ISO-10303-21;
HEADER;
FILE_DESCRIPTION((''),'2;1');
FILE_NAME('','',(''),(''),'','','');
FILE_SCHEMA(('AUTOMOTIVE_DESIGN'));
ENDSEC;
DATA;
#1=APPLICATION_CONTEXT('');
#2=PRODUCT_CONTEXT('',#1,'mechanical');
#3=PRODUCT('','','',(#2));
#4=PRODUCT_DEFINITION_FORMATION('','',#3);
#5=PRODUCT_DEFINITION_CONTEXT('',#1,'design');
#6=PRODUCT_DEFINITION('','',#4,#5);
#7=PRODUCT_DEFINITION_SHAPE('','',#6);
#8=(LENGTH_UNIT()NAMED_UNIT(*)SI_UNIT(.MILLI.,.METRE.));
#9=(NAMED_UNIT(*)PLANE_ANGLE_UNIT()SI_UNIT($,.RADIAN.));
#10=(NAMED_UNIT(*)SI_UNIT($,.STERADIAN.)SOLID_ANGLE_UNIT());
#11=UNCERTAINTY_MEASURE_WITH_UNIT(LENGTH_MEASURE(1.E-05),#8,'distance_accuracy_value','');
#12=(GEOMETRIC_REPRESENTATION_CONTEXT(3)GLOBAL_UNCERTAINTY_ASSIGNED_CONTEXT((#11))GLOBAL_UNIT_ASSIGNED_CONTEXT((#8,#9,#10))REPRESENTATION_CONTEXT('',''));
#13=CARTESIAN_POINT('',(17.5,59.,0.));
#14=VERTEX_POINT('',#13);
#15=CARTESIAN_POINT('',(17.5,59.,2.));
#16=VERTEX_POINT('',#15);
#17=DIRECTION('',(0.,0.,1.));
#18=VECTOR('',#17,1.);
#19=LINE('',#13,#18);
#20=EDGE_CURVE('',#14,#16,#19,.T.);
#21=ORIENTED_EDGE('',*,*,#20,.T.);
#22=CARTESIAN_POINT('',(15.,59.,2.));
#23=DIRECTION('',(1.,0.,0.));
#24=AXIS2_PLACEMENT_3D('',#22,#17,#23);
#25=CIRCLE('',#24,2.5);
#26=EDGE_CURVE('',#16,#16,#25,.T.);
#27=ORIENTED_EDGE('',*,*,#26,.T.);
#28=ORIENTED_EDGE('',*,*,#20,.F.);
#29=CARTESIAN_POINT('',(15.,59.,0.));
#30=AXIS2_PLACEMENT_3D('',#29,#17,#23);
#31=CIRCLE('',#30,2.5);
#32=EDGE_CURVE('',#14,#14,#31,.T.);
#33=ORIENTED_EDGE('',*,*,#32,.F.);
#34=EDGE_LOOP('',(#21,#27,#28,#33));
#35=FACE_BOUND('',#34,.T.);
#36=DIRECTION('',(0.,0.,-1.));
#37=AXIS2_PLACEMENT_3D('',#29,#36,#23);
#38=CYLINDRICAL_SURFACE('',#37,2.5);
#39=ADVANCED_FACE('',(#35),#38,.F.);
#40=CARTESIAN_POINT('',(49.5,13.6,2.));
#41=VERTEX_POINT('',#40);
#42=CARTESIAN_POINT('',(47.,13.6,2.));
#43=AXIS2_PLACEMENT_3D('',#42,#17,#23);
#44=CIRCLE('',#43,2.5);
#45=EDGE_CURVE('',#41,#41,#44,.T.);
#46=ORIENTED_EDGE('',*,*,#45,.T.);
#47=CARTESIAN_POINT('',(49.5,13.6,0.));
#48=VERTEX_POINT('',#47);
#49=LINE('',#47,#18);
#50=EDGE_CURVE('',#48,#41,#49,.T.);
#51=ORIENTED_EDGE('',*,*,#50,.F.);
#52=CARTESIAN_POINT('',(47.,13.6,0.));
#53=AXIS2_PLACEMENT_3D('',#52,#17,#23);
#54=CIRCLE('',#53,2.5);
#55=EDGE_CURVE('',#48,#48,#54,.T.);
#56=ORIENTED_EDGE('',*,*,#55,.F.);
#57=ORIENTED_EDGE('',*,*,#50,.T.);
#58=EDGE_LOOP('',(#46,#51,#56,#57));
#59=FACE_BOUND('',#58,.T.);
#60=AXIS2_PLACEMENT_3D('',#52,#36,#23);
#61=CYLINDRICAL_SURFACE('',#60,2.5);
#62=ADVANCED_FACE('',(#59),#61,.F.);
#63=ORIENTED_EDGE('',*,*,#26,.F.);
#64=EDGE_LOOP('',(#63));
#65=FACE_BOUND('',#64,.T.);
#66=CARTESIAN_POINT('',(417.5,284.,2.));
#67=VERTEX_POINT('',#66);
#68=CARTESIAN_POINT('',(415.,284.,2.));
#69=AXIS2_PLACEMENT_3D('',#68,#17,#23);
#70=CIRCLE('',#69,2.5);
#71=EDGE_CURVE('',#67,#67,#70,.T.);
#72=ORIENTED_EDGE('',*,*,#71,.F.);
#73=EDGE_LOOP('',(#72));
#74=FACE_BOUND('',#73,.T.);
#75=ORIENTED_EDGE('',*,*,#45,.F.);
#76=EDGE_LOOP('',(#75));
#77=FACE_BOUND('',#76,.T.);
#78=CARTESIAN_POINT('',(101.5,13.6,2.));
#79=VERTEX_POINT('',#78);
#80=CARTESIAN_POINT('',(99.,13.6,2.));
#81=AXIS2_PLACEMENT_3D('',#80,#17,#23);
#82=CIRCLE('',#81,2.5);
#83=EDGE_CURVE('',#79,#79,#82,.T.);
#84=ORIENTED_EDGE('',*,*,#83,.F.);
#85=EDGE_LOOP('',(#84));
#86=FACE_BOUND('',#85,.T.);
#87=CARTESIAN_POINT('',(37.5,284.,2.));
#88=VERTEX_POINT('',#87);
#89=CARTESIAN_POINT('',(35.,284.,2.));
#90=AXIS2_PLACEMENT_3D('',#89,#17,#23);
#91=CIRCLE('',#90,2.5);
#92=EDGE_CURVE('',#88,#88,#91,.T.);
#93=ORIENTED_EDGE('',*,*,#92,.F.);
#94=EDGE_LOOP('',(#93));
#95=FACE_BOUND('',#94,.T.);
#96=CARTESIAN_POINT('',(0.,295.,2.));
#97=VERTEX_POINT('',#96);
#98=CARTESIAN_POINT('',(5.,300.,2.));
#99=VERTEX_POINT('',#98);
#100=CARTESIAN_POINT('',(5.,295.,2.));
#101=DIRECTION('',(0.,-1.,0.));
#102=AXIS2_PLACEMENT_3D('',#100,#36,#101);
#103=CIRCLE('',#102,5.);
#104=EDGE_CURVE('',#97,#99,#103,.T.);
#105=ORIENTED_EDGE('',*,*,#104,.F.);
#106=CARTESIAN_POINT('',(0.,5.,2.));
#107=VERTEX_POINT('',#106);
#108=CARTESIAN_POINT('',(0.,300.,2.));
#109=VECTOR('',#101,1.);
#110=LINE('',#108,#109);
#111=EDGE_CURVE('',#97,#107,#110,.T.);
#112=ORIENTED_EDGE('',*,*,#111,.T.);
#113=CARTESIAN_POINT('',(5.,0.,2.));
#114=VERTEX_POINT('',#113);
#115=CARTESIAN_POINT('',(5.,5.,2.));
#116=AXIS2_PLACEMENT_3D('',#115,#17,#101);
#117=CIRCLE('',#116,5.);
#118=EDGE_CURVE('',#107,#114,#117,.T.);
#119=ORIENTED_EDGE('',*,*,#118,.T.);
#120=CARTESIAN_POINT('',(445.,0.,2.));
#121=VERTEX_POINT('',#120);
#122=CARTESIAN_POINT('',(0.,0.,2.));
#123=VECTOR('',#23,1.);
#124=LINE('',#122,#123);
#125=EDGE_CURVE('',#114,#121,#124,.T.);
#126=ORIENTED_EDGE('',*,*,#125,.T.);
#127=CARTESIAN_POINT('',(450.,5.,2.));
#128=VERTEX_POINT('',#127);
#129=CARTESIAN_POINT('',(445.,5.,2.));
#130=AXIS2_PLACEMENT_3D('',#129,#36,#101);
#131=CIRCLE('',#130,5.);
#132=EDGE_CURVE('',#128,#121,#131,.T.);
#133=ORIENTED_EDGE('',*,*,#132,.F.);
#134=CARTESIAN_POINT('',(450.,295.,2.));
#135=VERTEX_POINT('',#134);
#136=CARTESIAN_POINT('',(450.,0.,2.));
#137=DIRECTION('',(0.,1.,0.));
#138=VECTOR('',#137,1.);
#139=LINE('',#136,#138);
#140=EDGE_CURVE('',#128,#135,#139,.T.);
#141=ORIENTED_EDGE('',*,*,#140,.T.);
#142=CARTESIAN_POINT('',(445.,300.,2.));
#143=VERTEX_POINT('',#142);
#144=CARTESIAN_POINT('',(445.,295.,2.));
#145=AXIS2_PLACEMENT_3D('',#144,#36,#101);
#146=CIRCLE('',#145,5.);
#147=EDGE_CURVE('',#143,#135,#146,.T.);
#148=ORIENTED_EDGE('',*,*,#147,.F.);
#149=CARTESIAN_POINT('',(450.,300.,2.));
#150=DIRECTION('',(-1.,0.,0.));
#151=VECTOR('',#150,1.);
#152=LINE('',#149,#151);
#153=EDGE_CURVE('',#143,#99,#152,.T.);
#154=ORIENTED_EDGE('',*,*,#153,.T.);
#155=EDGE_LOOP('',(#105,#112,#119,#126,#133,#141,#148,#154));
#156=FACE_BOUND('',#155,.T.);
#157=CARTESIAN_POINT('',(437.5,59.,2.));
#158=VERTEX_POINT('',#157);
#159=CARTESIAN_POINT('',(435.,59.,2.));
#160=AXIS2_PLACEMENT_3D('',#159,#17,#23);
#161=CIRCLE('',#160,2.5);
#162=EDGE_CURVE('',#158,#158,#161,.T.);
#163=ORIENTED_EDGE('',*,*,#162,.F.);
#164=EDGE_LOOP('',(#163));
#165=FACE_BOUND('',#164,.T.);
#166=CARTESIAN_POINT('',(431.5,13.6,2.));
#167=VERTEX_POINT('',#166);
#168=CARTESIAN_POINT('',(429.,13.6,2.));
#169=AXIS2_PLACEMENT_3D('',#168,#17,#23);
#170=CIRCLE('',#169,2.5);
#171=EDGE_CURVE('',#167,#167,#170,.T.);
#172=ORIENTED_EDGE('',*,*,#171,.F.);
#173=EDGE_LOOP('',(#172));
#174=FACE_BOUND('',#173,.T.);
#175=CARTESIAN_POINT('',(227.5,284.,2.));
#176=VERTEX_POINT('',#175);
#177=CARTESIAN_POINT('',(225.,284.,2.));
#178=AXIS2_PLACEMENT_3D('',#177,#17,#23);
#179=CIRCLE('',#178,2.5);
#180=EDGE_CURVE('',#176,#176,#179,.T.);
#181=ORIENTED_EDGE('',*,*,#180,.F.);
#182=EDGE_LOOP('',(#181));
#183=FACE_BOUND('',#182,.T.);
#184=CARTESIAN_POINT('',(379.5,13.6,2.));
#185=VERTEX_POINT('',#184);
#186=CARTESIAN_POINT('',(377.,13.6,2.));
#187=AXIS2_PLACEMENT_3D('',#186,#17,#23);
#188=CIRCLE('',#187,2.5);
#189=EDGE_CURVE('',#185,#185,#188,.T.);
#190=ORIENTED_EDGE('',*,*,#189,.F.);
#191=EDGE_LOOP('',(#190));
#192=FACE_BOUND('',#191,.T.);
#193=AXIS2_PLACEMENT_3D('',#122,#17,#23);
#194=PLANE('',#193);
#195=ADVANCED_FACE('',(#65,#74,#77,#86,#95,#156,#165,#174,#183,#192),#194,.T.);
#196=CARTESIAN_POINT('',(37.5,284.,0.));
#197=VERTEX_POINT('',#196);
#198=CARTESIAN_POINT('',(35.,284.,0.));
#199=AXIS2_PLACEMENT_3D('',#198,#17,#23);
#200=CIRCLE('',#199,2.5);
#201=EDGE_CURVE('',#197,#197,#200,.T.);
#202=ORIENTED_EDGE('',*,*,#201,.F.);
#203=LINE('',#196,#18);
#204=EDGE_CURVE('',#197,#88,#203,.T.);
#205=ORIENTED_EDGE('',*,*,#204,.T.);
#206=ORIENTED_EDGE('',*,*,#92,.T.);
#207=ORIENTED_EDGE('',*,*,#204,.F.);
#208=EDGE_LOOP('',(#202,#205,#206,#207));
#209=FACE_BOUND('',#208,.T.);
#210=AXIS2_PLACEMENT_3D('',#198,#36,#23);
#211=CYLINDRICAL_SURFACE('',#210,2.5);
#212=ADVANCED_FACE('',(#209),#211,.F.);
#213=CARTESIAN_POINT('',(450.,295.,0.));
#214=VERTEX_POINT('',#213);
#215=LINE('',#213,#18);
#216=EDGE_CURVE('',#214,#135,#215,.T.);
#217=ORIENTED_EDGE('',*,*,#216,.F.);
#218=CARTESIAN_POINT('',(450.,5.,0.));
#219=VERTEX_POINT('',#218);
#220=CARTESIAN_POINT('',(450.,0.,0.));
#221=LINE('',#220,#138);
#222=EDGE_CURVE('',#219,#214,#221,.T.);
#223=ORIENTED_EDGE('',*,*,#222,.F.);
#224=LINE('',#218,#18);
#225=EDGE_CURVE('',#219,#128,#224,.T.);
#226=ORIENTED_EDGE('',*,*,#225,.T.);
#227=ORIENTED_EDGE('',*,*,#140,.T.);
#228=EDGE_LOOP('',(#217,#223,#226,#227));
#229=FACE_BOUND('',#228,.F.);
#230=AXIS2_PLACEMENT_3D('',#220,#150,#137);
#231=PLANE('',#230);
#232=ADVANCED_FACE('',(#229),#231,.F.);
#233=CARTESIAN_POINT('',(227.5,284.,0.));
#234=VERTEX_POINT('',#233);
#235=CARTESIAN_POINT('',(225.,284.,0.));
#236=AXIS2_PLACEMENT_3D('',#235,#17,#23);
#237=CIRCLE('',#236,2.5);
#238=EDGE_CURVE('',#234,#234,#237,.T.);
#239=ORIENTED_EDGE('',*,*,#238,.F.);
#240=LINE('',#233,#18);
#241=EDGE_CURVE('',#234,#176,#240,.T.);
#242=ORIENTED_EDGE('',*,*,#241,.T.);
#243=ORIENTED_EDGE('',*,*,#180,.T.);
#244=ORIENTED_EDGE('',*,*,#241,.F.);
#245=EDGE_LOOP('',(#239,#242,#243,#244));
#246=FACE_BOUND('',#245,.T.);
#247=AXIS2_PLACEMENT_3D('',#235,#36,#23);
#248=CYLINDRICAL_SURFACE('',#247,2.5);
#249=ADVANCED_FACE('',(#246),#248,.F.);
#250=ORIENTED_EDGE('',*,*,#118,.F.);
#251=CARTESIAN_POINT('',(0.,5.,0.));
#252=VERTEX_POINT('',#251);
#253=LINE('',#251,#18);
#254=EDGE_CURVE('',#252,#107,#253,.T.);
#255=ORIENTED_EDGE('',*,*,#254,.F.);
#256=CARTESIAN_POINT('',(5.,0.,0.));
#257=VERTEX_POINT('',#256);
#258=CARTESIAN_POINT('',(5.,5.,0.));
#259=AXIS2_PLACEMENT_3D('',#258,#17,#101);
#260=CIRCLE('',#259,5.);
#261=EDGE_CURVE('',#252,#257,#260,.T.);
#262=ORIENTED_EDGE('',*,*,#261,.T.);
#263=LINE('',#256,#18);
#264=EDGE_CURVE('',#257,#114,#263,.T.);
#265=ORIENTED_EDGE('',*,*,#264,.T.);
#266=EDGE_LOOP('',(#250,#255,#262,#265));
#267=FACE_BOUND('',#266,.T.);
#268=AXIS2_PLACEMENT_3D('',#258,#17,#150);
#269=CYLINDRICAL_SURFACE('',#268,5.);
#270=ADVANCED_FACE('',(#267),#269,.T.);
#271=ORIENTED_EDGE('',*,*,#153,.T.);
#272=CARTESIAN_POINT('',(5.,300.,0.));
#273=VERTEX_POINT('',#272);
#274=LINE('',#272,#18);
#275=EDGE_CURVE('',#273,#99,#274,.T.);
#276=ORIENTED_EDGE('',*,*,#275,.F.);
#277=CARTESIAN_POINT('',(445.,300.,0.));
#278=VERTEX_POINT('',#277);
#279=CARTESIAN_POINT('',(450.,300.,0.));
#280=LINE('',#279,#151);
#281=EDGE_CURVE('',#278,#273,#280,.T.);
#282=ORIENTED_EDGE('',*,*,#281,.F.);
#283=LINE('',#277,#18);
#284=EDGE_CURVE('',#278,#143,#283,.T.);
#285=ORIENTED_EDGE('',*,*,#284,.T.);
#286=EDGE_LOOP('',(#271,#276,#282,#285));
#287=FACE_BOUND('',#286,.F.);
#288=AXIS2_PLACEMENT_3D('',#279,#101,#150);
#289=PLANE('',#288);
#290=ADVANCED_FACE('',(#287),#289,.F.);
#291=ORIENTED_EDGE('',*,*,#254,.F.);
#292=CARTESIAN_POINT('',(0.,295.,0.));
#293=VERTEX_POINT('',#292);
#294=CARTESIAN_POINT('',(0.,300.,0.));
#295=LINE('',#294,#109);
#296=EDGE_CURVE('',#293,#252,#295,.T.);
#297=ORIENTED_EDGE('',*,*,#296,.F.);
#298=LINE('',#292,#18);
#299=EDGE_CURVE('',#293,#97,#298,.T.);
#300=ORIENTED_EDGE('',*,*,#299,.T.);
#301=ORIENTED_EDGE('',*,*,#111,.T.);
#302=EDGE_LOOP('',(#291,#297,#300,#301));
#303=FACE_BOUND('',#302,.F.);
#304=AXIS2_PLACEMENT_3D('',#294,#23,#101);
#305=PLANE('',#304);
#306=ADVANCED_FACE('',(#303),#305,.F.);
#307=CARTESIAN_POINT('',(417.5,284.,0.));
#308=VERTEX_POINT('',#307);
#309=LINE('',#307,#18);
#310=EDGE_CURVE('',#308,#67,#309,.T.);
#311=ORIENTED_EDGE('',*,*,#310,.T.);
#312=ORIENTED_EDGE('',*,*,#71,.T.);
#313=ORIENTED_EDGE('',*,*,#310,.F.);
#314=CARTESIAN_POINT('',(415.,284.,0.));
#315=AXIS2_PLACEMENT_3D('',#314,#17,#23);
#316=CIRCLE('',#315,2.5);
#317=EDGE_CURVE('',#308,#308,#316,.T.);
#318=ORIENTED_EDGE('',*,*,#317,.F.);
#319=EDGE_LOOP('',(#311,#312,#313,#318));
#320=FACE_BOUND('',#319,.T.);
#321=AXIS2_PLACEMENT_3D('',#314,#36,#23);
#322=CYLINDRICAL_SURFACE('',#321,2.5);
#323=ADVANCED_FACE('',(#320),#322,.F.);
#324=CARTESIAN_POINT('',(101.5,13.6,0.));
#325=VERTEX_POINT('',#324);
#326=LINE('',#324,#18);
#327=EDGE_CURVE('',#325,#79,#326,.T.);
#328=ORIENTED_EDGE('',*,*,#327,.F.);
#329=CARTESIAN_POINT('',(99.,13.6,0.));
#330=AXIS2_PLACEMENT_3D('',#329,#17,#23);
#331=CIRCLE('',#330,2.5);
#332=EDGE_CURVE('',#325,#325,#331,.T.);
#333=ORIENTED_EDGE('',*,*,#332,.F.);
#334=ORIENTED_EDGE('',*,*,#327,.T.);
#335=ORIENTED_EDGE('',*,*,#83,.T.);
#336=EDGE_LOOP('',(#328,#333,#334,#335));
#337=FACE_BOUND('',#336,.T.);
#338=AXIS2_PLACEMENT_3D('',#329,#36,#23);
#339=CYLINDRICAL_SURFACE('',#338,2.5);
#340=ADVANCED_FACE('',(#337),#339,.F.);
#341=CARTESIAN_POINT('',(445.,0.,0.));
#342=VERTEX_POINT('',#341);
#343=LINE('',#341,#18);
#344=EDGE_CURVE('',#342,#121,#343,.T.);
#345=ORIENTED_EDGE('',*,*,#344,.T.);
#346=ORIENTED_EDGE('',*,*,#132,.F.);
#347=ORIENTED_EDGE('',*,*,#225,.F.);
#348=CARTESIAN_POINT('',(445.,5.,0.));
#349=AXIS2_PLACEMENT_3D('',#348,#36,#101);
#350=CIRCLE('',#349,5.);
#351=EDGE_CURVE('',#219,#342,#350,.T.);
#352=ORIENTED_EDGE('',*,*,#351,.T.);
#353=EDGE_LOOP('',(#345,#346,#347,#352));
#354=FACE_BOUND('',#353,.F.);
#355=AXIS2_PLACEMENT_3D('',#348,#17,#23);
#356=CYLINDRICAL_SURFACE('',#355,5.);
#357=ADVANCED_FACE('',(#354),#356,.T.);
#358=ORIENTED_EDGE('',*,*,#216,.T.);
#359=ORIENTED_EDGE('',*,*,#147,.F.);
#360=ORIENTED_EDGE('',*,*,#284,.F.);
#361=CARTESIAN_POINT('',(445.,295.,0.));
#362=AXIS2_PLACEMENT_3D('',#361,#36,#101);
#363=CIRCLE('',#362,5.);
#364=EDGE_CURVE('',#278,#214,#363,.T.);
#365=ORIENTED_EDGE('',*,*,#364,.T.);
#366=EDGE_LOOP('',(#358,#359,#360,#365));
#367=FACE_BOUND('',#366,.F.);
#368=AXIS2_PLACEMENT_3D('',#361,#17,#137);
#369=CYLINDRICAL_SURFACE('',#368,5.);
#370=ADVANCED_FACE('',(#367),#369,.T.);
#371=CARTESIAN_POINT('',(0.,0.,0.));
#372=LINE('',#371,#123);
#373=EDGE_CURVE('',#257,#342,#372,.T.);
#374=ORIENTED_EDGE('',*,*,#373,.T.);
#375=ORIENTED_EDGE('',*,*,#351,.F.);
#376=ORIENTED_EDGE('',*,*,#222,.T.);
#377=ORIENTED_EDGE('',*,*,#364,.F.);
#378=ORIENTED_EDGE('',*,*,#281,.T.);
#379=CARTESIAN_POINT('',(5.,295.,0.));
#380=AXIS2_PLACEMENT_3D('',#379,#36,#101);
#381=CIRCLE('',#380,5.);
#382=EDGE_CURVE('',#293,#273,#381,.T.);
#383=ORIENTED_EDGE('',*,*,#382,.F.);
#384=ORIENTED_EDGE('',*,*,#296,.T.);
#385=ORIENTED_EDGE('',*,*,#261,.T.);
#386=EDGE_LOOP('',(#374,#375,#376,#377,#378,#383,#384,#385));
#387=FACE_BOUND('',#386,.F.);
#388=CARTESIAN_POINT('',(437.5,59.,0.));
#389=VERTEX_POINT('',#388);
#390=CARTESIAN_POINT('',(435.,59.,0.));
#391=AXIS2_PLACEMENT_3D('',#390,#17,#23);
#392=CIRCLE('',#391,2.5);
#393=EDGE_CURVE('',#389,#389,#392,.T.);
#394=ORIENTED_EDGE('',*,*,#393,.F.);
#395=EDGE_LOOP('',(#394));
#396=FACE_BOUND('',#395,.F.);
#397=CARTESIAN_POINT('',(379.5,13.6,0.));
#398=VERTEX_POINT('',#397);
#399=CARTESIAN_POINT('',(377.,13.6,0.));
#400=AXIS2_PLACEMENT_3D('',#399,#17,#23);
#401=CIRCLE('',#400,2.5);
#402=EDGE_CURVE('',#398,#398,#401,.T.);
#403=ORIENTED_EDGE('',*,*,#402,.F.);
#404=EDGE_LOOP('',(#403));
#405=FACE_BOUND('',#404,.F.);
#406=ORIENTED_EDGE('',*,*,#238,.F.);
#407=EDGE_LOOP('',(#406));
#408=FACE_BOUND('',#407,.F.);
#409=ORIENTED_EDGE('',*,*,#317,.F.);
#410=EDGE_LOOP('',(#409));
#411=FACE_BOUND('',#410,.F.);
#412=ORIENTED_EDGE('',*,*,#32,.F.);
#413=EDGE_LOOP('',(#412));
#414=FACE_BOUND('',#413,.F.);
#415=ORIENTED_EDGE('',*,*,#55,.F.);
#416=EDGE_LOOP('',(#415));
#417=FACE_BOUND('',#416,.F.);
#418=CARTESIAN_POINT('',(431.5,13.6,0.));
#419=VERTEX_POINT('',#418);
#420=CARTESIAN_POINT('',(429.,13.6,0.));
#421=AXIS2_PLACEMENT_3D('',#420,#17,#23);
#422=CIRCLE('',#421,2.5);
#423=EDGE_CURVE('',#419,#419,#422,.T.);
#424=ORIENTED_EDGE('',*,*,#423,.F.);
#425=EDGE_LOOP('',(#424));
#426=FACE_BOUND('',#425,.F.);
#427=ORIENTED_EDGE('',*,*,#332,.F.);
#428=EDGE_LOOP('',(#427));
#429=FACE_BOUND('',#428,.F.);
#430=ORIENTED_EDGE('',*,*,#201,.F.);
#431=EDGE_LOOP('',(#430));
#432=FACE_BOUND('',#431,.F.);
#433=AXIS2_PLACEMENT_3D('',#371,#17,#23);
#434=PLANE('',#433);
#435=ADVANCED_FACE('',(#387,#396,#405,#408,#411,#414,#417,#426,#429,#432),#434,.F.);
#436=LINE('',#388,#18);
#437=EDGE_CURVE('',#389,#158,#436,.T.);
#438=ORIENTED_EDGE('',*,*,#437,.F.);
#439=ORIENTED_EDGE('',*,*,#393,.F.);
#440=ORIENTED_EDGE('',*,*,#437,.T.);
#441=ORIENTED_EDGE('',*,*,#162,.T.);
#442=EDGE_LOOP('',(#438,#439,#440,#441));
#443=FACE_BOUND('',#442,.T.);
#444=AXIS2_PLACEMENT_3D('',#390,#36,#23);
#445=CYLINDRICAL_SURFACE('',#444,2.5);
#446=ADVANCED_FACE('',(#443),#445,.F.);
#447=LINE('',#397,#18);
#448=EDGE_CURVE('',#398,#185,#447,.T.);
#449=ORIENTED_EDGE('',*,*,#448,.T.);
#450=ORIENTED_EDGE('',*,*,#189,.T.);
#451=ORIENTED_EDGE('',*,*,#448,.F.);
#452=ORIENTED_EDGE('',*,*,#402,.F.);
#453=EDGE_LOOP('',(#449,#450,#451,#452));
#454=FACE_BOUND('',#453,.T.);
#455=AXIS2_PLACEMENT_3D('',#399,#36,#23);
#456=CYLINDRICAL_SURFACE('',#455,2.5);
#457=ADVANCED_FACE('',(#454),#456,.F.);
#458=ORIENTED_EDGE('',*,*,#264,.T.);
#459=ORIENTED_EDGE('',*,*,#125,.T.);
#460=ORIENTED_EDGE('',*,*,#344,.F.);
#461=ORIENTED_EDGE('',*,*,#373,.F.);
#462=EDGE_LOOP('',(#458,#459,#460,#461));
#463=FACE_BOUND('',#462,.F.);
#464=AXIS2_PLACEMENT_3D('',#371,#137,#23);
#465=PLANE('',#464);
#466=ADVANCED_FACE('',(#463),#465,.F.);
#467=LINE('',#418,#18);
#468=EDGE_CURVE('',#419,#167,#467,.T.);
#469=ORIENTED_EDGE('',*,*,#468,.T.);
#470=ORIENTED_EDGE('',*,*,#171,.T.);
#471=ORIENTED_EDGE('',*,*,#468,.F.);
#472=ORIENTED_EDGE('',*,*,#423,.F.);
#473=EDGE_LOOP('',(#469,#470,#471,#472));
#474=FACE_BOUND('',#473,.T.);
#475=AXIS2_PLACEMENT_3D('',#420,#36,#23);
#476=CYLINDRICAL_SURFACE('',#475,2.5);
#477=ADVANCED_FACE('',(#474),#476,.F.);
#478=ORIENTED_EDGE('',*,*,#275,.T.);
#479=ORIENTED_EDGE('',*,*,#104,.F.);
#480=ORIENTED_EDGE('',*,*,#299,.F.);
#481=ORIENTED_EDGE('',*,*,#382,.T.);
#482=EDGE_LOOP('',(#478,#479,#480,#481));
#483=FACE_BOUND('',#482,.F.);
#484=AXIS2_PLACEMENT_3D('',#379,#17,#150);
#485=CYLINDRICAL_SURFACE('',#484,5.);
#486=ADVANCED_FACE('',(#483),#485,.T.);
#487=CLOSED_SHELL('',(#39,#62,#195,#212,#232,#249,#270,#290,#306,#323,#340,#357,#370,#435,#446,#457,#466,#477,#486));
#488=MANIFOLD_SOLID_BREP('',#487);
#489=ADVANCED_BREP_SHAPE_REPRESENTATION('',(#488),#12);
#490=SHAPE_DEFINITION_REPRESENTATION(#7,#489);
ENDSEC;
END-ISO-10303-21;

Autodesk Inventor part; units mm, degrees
ref_plane "YZ Plane" through (0, 0, 0) normal (1, 0, 0) x (0, 1, 0)
ref_plane "XZ Plane" through (0, 0, 0) normal (0, 1, 0) x (-1, 0, 0)
ref_plane "XY Plane" through (0, 0, 0) normal (0, 0, 1) x (1, 0, 0)
sketch "スケッチ1" plane through (0, 0, 0) normal (0, 0, 1) x (1, 0, 0)
  line L0 (0, 0) -> (450, 0)
  line L1 (450, 0) -> (450, 300)
  line L2 (450, 300) -> (0, 300)
  line L3 (0, 300) -> (0, 0)
  line L4 (435, 285) -> (435, 15) construction
  line L5 (435, 15) -> (15, 15) construction
  line L6 (15, 15) -> (15, 285) construction
  circle A0 centre (35, 284) radius 2.5
  circle A1 centre (415, 284) radius 2.5
  circle A2 centre (225, 284) radius 2.5
  circle A3 centre (47, 13.6) radius 2.5
  circle A4 centre (99, 13.6) radius 2.5
  line L7 (47, 13.6) -> (99, 13.6) construction
  circle A5 centre (429, 13.6) radius 2.5
  circle A6 centre (377, 13.6) radius 2.5
  line L8 (429, 13.6) -> (377, 13.6) construction
  line L9 (225, 0) -> (225, 15) construction
  circle A7 centre (435, 59) radius 2.5
  circle A8 centre (15, 59) radius 2.5
  line L10 (35, 284) -> (415, 284) construction
  dimension "d0" = 450
  dimension "d1" = 300
  dimension "d3" = 35
  dimension "d4" = 35
  dimension "d5" = 5
  dimension "d8" = 13.6
  dimension "d9" = 5
  dimension "d10" = 47
  dimension "d11" = 52
  dimension "d12" = 21
  dimension "d13" = 13.6
  dimension "d14" = 52
  dimension "d19" = 16
  dimension "d20" = 59
  dimension "d21" = 59
  dimension "d22" = 15
extrude "押し出し1" add sketch "スケッチ1" along normal blind 2
fillet "フィレット1" radius 5 4 edges at (450, 0, 1) (450, 300, 1) (0, 0, 1) (0, 300, 1)
properties part number "防水2" material "PET プラスチック"
